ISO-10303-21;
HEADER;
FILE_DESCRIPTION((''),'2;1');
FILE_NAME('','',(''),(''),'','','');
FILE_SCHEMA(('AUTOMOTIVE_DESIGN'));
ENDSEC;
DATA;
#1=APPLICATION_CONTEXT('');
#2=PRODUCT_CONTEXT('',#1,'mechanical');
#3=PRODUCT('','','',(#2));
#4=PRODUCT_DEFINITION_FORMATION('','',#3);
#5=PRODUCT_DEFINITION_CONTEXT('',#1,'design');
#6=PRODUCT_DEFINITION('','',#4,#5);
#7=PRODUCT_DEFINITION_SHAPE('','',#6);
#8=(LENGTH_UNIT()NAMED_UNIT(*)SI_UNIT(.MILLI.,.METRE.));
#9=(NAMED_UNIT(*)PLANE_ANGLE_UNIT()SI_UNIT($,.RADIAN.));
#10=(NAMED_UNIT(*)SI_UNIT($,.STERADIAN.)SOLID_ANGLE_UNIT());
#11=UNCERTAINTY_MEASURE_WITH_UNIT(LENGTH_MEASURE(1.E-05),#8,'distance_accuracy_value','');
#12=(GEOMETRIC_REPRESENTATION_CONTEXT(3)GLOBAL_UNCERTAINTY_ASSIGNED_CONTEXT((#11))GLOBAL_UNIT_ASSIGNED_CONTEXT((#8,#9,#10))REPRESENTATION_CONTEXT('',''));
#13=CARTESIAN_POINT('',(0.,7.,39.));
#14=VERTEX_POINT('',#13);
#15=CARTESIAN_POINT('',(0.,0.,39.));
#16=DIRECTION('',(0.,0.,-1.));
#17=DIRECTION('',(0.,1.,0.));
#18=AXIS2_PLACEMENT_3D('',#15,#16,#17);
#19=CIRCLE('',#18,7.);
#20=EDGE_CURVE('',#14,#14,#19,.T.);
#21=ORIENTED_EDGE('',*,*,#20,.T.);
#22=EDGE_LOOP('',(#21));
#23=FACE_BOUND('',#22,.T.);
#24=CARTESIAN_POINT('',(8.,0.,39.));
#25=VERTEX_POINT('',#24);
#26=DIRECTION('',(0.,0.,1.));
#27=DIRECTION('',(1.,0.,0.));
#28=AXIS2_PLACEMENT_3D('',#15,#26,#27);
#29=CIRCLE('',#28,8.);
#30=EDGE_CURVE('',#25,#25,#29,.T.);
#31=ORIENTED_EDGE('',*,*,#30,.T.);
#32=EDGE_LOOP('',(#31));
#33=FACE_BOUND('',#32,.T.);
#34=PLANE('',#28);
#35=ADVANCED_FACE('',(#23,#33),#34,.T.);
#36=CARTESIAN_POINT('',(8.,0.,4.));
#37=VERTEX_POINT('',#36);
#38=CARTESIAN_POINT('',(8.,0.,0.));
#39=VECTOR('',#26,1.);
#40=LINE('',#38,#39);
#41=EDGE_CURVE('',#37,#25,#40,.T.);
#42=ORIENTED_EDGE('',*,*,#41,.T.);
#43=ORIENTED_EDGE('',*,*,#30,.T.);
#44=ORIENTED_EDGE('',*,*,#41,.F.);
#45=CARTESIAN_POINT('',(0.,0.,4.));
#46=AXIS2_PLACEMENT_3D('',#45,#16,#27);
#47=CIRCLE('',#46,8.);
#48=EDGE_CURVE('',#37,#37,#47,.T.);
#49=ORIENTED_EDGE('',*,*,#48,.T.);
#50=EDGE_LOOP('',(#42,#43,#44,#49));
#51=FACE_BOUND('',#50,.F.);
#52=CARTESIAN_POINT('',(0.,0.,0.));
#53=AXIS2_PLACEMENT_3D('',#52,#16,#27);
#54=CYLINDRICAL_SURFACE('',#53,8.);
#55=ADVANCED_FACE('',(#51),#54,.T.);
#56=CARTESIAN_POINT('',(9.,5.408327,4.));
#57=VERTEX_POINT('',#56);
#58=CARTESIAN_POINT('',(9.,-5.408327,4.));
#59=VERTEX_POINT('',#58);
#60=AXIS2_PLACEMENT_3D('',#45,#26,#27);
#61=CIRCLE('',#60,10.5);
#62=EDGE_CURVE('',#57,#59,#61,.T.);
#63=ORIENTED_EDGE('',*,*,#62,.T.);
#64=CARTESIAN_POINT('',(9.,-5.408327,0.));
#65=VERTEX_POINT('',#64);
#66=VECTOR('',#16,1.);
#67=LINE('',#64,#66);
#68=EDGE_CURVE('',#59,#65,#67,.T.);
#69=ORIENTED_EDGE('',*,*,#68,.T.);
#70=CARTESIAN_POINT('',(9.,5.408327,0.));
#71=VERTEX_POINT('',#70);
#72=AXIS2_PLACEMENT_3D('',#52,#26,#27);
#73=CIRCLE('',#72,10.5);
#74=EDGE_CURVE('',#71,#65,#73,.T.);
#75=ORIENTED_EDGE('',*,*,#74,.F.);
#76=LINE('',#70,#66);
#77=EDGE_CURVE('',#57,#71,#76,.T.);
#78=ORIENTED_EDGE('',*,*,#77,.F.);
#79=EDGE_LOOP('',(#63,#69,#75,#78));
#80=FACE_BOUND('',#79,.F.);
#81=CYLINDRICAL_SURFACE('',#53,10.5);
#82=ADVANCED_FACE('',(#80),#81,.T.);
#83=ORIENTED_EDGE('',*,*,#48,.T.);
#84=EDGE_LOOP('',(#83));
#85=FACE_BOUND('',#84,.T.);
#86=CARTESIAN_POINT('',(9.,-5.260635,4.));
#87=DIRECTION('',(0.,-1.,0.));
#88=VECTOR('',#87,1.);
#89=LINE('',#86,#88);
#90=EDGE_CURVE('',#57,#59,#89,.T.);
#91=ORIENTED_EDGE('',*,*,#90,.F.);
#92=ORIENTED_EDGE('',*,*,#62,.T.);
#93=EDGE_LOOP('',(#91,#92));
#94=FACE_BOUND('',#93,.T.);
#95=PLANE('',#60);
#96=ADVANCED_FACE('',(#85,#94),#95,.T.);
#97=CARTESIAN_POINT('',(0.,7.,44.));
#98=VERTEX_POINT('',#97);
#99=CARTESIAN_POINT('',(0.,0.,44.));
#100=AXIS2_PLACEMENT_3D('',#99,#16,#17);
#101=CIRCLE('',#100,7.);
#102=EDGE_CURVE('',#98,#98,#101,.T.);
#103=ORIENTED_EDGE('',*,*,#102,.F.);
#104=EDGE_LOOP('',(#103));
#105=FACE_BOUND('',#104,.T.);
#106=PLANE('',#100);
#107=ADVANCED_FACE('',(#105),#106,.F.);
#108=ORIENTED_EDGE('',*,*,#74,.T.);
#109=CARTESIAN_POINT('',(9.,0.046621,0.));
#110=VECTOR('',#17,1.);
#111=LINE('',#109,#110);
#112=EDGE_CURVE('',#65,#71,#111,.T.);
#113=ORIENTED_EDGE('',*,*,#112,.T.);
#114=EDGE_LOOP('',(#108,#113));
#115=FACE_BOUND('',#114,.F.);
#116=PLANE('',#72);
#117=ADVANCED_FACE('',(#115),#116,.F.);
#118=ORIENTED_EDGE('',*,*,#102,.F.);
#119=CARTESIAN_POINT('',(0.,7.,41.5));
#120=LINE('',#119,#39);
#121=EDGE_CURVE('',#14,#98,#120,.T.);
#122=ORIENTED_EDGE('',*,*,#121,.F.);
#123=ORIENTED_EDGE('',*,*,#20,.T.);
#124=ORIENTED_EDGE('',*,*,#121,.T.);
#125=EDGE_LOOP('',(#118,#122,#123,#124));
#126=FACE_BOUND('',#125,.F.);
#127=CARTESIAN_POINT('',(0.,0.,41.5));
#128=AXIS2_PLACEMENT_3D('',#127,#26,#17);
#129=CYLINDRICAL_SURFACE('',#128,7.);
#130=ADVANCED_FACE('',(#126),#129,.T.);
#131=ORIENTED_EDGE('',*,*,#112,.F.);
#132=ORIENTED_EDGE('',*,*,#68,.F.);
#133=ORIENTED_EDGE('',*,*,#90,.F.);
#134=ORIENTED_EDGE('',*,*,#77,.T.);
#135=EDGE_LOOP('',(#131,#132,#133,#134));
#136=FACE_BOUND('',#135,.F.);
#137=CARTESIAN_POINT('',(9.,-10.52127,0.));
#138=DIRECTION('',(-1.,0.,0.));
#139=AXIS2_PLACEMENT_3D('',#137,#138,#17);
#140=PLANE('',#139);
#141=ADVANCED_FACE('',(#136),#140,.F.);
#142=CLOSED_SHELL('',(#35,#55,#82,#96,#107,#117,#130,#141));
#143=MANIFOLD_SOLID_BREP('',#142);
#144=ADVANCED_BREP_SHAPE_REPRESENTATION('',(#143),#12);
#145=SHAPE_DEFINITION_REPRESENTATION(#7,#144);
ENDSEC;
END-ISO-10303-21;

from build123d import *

# Parameters (mm, degrees)
F0_R     = 10.5
F1_DEPTH = 4
F2_R     = 8
F3_DEPTH = 39
F4_W     = 7
F4_H     = 5
F6_W     = 5.926284
F6_H     = 21.135783
F7_DEPTH = 6


with BuildPart() as f1:
    # F0 (on Top) → F1 (new body)
    with BuildSketch(Plane.XY):
        Circle(F0_R)
    extrude(amount=F1_DEPTH)

    # F2 (on Top) → F3 (join)
    with BuildSketch(Plane.XY):
        Circle(F2_R)
    extrude(amount=F3_DEPTH)

    # F4 (on Right) → F5 (revolve)
    with BuildSketch(Plane.YZ):
        with Locations((3.5, 41.5)):
            Rectangle(F4_W, F4_H)
    revolve(axis=Axis((0, 0, 41.5), (0, 0, -1)))

    # F6 (on Top) → F7 (cut)
    with BuildSketch(Plane.XY):
        with Locations((11.963142, 0.046621)):
            Rectangle(F6_W, F6_H)
    extrude(amount=F7_DEPTH, mode=Mode.SUBTRACT)


solid = f1.part
